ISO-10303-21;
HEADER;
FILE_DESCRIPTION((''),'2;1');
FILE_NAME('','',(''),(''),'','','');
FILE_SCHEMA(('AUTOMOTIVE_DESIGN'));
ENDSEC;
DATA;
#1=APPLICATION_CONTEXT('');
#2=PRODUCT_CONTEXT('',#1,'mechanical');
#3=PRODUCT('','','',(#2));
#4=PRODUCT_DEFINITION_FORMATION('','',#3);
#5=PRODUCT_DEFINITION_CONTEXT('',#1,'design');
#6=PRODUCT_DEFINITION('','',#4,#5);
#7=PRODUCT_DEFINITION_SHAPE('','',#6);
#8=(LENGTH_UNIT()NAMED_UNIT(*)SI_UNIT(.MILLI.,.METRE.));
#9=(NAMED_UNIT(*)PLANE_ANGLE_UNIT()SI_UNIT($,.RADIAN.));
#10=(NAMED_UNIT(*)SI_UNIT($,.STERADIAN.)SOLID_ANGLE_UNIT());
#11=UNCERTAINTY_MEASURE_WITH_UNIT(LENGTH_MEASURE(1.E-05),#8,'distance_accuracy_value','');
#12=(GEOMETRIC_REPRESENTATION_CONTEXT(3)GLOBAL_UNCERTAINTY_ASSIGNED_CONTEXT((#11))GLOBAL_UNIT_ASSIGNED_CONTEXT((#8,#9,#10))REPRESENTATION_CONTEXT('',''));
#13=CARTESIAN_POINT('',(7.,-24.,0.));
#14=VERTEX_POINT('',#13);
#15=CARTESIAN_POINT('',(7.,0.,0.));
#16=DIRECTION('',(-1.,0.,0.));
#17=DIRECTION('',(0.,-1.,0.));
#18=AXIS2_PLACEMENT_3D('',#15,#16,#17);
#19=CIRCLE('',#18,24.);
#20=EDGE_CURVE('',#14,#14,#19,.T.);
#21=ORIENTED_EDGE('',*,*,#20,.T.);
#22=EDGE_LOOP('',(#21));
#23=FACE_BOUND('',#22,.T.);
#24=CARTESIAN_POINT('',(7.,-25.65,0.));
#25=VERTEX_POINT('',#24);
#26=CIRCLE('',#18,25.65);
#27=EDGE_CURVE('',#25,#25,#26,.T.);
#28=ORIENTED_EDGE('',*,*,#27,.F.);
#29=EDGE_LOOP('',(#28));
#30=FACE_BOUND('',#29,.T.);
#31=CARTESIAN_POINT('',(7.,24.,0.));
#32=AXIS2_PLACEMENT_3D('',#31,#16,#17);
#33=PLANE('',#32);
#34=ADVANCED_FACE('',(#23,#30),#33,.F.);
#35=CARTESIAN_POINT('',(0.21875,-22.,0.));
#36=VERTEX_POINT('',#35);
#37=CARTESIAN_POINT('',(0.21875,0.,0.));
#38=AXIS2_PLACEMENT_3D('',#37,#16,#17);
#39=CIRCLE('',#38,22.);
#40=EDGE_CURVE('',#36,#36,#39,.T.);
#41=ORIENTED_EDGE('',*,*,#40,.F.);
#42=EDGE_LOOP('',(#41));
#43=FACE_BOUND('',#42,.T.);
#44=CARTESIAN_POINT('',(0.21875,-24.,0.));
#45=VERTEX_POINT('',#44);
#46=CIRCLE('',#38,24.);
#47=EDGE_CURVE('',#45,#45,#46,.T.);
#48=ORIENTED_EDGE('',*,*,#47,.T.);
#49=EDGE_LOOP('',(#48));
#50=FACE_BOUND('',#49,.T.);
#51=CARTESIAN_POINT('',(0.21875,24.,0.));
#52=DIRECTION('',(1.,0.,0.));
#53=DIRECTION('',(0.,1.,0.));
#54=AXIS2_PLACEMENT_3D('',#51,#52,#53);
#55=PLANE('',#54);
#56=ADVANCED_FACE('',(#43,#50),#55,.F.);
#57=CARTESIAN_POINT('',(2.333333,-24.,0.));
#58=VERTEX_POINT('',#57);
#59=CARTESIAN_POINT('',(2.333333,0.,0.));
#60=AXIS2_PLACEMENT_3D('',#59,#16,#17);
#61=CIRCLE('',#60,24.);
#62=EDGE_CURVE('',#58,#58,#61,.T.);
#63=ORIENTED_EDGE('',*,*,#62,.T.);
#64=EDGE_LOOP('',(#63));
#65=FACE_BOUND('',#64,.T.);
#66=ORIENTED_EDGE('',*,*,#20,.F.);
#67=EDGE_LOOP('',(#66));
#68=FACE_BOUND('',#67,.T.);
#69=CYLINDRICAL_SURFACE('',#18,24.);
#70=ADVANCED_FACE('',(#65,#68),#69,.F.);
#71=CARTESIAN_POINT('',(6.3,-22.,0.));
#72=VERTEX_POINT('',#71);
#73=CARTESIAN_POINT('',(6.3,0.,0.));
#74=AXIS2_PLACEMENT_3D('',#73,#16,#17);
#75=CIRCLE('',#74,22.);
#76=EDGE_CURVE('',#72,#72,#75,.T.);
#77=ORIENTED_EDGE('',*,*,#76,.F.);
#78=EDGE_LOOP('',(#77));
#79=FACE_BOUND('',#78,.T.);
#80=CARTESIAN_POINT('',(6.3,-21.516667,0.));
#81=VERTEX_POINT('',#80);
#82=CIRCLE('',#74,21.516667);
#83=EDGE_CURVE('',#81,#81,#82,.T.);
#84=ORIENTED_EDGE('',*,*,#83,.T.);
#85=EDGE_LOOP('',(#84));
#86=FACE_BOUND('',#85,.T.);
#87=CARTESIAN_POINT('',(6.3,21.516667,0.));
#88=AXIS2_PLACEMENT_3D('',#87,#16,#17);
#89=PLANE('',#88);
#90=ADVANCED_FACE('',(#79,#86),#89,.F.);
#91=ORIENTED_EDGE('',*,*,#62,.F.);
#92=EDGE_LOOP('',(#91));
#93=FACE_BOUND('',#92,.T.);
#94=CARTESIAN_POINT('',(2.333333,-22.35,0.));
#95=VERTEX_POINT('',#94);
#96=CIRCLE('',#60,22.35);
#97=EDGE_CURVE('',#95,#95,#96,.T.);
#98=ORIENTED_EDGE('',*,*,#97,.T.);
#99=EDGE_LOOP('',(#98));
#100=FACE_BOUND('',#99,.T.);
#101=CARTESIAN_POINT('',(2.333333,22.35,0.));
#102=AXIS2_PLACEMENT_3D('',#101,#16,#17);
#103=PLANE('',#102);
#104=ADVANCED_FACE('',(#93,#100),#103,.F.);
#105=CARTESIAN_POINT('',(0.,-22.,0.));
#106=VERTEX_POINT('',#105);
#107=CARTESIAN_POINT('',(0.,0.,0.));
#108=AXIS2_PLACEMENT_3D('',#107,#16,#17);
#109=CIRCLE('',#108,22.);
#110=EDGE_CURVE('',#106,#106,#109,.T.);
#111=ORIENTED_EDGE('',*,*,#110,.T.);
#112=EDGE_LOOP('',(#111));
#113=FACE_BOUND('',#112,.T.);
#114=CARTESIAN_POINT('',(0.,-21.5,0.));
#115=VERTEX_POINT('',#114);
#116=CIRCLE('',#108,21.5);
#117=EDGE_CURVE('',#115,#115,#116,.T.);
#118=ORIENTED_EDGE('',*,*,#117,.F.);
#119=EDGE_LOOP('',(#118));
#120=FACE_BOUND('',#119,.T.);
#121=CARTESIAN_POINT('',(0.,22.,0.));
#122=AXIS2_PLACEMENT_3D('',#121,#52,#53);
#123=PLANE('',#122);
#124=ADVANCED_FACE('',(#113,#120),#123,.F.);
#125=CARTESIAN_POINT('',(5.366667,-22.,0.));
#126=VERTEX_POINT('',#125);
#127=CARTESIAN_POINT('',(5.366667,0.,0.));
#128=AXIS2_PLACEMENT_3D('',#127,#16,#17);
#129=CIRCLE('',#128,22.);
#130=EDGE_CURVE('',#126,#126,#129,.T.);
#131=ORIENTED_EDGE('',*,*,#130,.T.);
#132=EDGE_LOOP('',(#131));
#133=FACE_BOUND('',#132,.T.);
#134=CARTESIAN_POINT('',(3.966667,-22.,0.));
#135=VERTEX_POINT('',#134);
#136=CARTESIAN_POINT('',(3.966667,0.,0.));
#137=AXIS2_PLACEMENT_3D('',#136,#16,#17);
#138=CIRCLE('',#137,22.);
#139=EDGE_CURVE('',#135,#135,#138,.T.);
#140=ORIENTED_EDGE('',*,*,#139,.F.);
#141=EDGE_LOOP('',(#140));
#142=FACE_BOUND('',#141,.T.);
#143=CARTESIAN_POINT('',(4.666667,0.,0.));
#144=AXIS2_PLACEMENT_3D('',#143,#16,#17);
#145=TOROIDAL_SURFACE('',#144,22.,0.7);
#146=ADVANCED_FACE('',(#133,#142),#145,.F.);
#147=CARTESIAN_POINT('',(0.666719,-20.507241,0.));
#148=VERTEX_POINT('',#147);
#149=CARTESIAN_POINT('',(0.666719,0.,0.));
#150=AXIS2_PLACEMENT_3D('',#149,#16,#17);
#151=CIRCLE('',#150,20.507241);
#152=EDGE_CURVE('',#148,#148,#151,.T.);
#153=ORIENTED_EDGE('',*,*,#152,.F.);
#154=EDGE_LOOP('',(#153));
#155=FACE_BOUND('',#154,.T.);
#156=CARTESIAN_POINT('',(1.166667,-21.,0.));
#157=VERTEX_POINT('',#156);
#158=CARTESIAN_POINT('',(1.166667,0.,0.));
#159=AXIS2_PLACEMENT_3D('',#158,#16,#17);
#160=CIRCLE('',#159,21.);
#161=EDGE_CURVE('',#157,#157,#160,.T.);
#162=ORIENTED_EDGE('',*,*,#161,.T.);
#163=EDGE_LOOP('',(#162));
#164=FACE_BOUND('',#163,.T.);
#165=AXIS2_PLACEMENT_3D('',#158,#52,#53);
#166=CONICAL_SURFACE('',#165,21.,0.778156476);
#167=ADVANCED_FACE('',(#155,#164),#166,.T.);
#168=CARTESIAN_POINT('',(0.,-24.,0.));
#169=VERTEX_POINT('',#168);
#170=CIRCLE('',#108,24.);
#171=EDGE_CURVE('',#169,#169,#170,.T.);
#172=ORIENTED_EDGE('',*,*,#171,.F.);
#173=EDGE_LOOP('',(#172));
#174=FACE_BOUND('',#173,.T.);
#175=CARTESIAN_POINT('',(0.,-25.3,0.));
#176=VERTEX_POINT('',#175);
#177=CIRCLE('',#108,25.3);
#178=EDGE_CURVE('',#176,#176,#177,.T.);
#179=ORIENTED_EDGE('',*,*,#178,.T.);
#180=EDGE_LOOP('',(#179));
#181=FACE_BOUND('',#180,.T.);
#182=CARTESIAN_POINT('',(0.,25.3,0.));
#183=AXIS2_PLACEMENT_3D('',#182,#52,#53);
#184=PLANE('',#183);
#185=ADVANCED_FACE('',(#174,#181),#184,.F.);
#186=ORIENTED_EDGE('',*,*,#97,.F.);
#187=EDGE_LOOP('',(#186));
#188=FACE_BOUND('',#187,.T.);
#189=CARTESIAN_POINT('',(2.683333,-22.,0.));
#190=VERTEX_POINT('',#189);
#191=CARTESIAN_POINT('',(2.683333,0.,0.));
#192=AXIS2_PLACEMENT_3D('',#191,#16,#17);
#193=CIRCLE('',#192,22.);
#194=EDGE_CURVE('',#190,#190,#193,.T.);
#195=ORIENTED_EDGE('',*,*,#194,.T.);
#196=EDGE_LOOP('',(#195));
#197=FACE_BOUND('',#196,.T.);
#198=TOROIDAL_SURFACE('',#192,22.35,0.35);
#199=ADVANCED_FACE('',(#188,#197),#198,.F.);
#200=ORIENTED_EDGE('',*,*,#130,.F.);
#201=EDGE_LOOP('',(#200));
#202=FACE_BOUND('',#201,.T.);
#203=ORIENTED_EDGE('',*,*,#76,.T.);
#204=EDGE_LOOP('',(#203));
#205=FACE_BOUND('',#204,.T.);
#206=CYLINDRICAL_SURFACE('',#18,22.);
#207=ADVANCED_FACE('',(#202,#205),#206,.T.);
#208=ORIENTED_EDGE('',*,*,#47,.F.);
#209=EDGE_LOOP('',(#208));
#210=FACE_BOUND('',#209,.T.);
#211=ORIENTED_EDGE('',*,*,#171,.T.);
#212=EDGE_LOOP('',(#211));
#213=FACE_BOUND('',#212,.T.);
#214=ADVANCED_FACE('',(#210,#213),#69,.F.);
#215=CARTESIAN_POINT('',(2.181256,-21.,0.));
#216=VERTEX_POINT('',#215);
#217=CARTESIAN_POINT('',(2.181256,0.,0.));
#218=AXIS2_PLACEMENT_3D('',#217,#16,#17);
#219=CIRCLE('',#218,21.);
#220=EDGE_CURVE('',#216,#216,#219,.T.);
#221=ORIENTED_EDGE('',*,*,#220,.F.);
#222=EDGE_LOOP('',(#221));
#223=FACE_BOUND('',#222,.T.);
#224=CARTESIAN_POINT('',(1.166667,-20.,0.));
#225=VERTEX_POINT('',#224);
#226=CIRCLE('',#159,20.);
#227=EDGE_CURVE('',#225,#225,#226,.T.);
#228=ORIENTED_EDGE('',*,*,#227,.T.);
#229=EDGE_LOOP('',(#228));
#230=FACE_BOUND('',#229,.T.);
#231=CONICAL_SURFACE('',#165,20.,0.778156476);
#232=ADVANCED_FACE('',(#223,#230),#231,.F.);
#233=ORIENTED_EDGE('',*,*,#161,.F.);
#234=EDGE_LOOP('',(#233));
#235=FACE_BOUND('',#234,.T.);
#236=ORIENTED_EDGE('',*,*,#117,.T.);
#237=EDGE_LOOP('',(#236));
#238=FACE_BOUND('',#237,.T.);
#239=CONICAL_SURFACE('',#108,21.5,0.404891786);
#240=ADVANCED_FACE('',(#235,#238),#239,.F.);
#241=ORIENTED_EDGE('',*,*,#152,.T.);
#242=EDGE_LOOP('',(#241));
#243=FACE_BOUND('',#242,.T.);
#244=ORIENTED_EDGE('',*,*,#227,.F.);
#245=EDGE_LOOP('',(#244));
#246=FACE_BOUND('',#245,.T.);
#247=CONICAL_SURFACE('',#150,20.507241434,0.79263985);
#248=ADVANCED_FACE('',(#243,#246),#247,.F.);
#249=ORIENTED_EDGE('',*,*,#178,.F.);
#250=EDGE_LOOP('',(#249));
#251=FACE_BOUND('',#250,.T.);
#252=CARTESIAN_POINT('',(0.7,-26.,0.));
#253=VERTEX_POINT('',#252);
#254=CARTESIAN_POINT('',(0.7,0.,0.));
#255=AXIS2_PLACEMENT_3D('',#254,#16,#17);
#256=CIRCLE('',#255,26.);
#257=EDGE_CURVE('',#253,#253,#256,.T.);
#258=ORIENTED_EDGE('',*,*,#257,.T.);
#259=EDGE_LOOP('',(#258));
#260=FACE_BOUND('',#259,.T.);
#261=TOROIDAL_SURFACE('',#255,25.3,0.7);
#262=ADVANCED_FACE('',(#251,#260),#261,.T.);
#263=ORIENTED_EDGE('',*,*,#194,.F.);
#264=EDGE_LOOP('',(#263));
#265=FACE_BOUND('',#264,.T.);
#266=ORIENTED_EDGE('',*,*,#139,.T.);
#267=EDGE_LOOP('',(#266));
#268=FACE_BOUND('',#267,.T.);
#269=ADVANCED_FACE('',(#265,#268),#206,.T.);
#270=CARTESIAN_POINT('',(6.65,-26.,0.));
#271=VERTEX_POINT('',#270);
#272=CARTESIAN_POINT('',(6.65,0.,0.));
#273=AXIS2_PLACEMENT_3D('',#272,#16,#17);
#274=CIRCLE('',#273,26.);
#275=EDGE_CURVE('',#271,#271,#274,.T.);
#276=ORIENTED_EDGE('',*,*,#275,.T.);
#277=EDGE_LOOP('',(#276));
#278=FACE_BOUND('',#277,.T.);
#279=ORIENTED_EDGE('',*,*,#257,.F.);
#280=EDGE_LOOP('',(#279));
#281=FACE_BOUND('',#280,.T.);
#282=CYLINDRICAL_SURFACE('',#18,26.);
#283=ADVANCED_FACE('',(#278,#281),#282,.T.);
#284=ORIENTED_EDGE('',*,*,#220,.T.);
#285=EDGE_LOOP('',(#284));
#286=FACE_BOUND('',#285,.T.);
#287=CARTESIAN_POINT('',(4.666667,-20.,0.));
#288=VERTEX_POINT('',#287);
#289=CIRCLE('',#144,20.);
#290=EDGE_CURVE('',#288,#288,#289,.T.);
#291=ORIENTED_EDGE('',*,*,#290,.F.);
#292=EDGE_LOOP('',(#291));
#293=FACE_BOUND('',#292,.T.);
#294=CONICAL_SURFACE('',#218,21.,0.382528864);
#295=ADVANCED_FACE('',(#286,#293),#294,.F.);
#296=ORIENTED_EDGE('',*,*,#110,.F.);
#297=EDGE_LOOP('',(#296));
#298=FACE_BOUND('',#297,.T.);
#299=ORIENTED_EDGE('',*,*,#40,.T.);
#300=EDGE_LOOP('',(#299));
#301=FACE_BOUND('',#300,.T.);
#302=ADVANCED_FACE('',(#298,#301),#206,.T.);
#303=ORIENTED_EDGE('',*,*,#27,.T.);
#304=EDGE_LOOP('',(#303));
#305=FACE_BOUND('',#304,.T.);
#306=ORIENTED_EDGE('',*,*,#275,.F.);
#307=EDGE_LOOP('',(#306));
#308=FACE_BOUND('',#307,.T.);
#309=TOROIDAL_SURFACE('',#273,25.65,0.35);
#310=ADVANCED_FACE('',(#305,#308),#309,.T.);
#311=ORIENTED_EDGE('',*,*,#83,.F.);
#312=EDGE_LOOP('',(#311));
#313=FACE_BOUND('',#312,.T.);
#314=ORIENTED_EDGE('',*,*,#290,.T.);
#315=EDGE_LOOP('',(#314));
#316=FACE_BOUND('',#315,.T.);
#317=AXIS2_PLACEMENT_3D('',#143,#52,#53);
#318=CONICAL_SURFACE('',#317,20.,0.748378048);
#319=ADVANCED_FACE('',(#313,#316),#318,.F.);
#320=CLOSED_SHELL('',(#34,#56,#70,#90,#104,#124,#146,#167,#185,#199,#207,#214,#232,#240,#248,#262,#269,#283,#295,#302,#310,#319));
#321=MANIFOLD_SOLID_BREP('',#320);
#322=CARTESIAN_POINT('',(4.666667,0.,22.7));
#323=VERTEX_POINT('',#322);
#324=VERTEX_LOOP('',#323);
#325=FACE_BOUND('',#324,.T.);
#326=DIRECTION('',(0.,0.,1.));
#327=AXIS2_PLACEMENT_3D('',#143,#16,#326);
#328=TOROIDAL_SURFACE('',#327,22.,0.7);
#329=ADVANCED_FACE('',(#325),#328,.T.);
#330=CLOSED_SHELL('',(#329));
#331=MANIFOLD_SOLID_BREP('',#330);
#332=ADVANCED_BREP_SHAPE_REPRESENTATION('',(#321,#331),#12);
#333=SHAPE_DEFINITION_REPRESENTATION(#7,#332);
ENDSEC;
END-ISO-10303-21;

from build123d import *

# Parameters (mm, degrees)
SKETCH2_R = 0.7


with BuildPart() as part:
    # Sketch1 → Revolve1 (revolve)
    with BuildSketch(Plane.XY, mode=Mode.PRIVATE) as revolve1_sk:
        with BuildLine():
            Line((0, 24), (0.21875, 24))
            Line((0.21875, 24), (0.21875, 22))
            Line((0.21875, 22), (0, 22))
            Line((0, 22), (0, 21.5))
            Line((0, 21.5), (1.166666667, 21))
            Line((1.166666667, 21), (0.666719108, 20.507241434))
            Line((0.666719108, 20.507241434), (1.166666667, 20))
            Line((1.166666667, 20), (2.181255947, 21))
            Line((2.181255947, 21), (4.666666667, 20))
            Line((4.666666667, 20), (6.3, 21.516666667))
            Line((6.3, 21.516666667), (6.3, 22))
            Line((6.3, 22), (5.366666667, 22))
            ThreePointArc((5.366666667, 22), (4.666666667, 21.3), (3.966666667, 22))
            Line((3.966666667, 22), (2.683333333, 22))
            ThreePointArc((2.683333333, 22), (2.43584596, 22.102512627), (2.333333333, 22.35))
            Line((2.333333333, 22.35), (2.333333333, 24))
            Line((2.333333333, 24), (7, 24))
            Line((7, 24), (7, 25.65))
            ThreePointArc((7, 25.65), (6.897487373, 25.897487373), (6.65, 26))
            Line((6.65, 26), (0.7, 26))
            ThreePointArc((0.7, 26), (0.205025253, 25.794974747), (0, 25.3))
            Line((0, 25.3), (0, 24))
        make_face()
    revolve(revolve1_sk.sketch.rotate(Axis((7, 0, 0), (-1, 0, 0)), 180), axis=Axis((7, 0, 0), (-1, 0, 0)))


with BuildPart() as body_2:
    # Sketch2 → Revolve2 (revolve)
    with BuildSketch(Plane.XY, mode=Mode.PRIVATE) as revolve2_sk:
        with Locations((4.666666667, 22)):
            Circle(SKETCH2_R)
    revolve(revolve2_sk.sketch.rotate(Axis((0, 0, 0), (1, 0, 0)), 90), axis=Axis((0, 0, 0), (1, 0, 0)))


solid = Compound([part.part, body_2.part])
